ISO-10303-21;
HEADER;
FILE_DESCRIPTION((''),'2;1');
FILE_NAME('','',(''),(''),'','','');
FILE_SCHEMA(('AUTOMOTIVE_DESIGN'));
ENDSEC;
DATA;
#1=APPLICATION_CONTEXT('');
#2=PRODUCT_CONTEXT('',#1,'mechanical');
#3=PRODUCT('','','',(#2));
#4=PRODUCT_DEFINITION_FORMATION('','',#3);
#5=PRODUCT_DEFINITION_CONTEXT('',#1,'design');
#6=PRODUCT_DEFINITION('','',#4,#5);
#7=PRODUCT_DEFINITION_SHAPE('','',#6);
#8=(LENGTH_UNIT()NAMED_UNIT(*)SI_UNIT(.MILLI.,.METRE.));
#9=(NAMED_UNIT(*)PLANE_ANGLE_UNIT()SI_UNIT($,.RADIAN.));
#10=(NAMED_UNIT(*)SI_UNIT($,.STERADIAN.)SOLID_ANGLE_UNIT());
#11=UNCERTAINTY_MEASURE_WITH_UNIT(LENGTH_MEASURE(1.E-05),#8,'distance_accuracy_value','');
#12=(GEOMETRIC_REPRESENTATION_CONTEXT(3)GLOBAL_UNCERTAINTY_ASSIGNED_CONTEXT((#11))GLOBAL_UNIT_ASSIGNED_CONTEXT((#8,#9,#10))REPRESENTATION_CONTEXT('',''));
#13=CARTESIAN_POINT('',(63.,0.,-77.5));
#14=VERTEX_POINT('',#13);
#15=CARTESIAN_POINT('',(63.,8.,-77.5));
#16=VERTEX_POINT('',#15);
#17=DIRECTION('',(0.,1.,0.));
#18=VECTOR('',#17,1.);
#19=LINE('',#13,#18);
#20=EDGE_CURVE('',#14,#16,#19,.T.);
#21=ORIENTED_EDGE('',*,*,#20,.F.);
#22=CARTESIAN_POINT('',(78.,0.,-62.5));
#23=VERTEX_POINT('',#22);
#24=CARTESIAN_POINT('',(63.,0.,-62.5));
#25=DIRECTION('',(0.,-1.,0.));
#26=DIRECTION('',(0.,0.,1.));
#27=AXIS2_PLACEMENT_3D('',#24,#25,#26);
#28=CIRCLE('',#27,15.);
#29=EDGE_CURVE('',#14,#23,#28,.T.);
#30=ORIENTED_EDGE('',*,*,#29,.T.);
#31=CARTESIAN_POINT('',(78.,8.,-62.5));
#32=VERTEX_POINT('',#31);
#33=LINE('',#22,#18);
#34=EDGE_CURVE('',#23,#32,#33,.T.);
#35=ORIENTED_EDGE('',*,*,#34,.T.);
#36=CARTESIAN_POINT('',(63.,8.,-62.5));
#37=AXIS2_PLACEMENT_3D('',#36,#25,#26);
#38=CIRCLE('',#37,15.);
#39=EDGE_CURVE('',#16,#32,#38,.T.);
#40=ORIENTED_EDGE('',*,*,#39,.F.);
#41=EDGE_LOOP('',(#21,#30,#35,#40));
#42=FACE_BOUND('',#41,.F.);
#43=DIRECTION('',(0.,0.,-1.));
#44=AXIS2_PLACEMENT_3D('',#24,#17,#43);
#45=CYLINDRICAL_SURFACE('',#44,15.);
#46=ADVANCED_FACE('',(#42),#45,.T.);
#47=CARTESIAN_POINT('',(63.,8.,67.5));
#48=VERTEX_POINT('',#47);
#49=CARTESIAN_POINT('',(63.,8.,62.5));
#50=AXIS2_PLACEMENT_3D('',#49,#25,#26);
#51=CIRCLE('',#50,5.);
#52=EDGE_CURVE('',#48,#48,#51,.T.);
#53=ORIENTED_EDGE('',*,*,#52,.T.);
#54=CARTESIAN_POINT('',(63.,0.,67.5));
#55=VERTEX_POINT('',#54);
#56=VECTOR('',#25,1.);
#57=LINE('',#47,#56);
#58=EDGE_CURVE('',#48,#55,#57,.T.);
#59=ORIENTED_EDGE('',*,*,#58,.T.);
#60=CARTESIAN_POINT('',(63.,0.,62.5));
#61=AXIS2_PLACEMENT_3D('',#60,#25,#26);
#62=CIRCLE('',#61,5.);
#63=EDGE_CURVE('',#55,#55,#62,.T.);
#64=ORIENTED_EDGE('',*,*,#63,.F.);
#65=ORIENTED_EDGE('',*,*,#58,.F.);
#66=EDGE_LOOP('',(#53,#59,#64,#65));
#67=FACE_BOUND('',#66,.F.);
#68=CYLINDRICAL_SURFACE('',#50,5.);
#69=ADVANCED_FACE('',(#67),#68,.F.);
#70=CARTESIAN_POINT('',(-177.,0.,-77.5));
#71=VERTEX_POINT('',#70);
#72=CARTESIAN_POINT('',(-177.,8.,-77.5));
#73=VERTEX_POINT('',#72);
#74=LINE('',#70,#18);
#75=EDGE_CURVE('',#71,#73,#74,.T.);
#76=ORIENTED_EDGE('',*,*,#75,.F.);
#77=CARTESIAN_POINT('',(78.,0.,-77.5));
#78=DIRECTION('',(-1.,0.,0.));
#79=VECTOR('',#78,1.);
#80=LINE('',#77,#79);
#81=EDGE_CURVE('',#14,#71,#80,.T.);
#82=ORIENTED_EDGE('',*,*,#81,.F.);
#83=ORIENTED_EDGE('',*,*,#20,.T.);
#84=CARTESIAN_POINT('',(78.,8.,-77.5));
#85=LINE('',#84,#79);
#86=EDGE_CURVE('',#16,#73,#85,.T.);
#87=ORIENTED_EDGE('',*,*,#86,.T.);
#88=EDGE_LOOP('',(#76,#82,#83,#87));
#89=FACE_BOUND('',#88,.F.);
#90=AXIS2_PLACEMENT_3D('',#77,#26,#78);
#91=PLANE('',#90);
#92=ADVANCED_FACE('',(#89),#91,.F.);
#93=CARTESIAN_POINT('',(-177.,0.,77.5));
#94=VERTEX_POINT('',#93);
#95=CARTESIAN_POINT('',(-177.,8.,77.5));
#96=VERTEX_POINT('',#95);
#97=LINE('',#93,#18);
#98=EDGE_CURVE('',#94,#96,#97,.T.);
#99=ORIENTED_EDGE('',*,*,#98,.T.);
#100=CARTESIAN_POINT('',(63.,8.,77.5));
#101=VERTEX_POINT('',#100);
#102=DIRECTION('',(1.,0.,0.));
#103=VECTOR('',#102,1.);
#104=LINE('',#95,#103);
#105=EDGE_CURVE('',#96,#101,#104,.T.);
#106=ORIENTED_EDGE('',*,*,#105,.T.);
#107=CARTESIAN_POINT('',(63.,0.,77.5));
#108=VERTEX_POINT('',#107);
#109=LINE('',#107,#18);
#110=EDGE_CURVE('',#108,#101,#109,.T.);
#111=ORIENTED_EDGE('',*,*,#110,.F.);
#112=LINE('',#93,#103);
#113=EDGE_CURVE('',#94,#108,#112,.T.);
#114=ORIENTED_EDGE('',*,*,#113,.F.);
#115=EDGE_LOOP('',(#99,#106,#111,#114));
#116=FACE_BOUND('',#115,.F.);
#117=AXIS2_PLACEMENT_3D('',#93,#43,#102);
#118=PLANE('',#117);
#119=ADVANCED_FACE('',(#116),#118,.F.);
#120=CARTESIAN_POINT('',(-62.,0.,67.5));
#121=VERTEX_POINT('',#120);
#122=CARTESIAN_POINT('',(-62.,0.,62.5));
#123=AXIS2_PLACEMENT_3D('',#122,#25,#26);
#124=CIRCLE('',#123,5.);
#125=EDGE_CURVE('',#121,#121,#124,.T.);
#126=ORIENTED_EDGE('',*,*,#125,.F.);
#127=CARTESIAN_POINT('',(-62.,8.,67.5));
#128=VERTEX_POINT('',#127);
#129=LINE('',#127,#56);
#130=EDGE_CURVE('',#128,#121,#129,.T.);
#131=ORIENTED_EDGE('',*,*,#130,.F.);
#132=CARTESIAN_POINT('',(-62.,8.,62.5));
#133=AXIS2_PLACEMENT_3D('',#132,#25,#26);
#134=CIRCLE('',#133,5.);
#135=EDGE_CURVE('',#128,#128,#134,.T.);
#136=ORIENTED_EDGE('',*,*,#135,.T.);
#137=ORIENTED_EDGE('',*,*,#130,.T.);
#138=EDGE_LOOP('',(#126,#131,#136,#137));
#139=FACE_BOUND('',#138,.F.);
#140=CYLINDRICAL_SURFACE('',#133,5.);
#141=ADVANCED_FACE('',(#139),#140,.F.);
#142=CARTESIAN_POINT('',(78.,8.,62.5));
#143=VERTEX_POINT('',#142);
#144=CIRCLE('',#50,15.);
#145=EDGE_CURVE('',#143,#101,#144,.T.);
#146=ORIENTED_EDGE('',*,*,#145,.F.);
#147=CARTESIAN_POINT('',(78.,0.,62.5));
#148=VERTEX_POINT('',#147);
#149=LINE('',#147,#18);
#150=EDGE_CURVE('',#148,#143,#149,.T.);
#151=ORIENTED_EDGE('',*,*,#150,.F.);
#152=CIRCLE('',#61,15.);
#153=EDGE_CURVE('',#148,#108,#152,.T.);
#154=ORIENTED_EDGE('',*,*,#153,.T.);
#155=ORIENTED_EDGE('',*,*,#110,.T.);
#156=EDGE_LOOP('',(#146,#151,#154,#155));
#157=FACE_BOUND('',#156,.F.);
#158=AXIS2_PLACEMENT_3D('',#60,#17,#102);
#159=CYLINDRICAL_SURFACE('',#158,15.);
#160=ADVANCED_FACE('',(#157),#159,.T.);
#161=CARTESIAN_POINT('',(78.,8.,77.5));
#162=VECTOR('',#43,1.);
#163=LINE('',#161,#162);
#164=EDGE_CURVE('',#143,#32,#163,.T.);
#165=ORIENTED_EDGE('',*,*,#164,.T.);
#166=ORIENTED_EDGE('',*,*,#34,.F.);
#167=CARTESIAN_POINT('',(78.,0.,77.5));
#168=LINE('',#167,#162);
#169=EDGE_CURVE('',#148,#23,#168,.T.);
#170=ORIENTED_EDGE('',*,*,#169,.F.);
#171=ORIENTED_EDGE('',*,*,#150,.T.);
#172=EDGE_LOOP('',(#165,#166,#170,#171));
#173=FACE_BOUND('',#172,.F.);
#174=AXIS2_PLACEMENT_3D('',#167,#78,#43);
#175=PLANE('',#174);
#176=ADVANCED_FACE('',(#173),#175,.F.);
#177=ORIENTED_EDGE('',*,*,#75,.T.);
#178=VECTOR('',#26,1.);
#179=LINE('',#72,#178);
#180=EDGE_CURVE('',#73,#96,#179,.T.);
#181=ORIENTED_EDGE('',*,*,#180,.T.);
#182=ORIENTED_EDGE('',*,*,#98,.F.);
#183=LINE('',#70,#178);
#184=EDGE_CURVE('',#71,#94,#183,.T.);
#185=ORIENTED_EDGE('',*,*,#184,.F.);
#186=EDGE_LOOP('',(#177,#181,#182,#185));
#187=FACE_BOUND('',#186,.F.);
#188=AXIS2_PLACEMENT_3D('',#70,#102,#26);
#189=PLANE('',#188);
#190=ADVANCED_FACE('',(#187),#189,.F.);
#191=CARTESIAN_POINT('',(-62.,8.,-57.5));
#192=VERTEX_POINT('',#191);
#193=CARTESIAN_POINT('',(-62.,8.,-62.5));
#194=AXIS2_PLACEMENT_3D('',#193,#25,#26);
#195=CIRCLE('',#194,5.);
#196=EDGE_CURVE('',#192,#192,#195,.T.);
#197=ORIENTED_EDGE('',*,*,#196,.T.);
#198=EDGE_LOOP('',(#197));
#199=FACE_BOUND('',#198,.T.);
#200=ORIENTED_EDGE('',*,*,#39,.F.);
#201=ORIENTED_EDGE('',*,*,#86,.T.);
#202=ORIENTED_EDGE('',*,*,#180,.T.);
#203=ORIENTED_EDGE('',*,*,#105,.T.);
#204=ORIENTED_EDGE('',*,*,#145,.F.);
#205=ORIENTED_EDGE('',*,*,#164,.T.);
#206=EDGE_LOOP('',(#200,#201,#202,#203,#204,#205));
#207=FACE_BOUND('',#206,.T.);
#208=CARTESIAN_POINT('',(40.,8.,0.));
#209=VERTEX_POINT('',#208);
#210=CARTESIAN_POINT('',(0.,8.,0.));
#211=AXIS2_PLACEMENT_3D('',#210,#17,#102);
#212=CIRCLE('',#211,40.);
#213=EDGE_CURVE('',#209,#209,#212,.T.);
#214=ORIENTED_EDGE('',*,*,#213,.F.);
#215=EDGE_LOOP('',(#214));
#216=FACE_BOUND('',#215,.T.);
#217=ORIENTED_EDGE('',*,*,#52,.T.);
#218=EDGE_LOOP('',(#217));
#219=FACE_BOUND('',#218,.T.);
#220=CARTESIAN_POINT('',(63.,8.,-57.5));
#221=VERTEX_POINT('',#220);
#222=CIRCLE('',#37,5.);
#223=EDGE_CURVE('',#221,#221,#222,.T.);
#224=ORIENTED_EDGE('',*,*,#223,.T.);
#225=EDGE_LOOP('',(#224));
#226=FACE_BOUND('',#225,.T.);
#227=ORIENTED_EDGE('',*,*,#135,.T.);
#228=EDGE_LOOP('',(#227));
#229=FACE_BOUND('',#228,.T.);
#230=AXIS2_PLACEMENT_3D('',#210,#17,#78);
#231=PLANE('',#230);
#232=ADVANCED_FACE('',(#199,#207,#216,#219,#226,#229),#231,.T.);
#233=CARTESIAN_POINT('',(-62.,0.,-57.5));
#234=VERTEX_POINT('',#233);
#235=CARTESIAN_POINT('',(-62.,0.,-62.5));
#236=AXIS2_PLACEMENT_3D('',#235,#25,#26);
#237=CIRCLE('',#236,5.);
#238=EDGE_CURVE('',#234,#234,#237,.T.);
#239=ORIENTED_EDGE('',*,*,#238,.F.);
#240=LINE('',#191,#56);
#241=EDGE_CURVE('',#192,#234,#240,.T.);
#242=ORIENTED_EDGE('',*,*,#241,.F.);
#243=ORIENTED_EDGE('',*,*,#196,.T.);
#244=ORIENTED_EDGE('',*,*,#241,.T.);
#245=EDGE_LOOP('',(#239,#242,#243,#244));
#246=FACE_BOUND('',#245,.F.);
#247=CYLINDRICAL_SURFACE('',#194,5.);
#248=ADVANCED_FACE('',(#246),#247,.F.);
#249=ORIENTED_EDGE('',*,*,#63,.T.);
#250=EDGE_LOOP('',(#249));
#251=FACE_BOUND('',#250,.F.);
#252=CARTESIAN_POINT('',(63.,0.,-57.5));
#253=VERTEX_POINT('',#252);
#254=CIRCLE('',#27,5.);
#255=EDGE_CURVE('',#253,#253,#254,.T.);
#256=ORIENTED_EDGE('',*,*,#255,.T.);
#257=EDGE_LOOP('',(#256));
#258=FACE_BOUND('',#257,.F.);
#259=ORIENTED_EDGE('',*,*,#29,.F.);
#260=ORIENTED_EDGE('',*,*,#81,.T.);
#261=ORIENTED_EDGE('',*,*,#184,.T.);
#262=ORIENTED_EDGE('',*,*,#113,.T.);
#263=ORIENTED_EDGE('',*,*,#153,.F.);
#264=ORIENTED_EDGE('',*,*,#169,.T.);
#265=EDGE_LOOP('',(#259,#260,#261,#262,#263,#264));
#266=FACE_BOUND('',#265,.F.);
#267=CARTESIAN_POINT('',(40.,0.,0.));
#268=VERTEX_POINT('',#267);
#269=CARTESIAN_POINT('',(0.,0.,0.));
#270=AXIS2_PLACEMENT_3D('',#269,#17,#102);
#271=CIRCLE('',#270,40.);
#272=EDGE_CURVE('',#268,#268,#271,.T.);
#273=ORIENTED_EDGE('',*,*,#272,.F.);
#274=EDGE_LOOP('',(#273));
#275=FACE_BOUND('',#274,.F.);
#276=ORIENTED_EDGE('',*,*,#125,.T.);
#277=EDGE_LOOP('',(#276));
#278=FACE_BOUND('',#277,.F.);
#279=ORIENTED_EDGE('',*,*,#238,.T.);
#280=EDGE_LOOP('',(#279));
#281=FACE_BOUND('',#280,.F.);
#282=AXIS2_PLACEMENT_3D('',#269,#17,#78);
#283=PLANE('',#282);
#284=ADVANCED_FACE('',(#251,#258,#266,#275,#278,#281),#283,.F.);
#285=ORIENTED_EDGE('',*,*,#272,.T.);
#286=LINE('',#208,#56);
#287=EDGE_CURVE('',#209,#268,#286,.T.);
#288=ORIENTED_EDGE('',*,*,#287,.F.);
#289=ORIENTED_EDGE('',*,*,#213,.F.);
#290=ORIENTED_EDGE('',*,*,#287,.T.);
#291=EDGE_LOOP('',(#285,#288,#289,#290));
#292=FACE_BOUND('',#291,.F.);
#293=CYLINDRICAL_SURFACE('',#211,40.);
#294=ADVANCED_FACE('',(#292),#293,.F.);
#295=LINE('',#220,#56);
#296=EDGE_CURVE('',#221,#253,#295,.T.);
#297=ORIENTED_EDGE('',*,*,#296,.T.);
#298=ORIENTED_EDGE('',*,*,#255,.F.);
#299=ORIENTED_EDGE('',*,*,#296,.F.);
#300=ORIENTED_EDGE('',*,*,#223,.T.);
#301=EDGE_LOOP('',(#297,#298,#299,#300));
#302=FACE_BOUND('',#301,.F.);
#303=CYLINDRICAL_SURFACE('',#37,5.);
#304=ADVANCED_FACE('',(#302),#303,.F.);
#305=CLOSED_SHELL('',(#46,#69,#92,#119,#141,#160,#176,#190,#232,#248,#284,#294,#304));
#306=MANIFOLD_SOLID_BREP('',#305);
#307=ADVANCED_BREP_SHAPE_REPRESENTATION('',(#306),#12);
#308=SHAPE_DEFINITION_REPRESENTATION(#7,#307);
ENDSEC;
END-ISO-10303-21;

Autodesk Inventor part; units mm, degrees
ref_plane "YZ Plane" through (0, 0, 0) normal (1, 0, 0) x (0, 1, 0)
ref_plane "XZ Plane" through (0, 0, 0) normal (0, 1, 0) x (-1, 0, 0)
ref_plane "XY Plane" through (0, 0, 0) normal (0, 0, 1) x (1, 0, 0)
sketch "Sketch1" plane through (0, 0, 0) normal (0, 1, 0) x (-1, 0, 0)
  line L0 (177, 77.5) -> (-78, 77.5)
  line L1 (-78, 77.5) -> (-78, -77.5)
  line L2 (-78, -77.5) -> (177, -77.5)
  line L3 (177, -77.5) -> (177, 77.5)
  point P0 (0, 0)
  dimension "d0" = 155
  dimension "d1" = 77.5
  dimension "d2" = 78
  dimension "d3" = 255
extrude "Extrusion1" add sketch "Sketch1" along normal blind 8
fillet "Fillet1" radius 15 2 edges at (78, 4, -77.5) (78, 4, 77.5)
sketch "Sketch2" plane through (0, 8, 0) normal (0, 1, 0) x (1, 0, 0)
  arc A0 (63, -77.5) -> (78, -62.5) centre (63, -62.5) ccw projected
  line L0 (63, -62.5) -> (-62, -62.5)
  line L1 (-62, -62.5) -> (-62, 62.5)
  line L2 (-62, 62.5) -> (63, 62.5)
  line L3 (63, 62.5) -> (63, -62.5)
  point P0 (0, 0)
  dimension "d7" = 125
hole "Hole1" at (-62, 8, 62.5) at (63, 8, 62.5) at (63, 8, -62.5) at (-62, 8, -62.5) direction (0, -1, 0) diameter 10 end through all
sketch "Sketch3" plane through (0, 8, 0) normal (0, 1, 0) x (1, 0, 0)
  circle A0 centre (0, 0) radius 40
  dimension "d15" = 80
extrude "Extrusion2" cut sketch "Sketch3" against normal through all
properties part number "BRACKET BASE"
